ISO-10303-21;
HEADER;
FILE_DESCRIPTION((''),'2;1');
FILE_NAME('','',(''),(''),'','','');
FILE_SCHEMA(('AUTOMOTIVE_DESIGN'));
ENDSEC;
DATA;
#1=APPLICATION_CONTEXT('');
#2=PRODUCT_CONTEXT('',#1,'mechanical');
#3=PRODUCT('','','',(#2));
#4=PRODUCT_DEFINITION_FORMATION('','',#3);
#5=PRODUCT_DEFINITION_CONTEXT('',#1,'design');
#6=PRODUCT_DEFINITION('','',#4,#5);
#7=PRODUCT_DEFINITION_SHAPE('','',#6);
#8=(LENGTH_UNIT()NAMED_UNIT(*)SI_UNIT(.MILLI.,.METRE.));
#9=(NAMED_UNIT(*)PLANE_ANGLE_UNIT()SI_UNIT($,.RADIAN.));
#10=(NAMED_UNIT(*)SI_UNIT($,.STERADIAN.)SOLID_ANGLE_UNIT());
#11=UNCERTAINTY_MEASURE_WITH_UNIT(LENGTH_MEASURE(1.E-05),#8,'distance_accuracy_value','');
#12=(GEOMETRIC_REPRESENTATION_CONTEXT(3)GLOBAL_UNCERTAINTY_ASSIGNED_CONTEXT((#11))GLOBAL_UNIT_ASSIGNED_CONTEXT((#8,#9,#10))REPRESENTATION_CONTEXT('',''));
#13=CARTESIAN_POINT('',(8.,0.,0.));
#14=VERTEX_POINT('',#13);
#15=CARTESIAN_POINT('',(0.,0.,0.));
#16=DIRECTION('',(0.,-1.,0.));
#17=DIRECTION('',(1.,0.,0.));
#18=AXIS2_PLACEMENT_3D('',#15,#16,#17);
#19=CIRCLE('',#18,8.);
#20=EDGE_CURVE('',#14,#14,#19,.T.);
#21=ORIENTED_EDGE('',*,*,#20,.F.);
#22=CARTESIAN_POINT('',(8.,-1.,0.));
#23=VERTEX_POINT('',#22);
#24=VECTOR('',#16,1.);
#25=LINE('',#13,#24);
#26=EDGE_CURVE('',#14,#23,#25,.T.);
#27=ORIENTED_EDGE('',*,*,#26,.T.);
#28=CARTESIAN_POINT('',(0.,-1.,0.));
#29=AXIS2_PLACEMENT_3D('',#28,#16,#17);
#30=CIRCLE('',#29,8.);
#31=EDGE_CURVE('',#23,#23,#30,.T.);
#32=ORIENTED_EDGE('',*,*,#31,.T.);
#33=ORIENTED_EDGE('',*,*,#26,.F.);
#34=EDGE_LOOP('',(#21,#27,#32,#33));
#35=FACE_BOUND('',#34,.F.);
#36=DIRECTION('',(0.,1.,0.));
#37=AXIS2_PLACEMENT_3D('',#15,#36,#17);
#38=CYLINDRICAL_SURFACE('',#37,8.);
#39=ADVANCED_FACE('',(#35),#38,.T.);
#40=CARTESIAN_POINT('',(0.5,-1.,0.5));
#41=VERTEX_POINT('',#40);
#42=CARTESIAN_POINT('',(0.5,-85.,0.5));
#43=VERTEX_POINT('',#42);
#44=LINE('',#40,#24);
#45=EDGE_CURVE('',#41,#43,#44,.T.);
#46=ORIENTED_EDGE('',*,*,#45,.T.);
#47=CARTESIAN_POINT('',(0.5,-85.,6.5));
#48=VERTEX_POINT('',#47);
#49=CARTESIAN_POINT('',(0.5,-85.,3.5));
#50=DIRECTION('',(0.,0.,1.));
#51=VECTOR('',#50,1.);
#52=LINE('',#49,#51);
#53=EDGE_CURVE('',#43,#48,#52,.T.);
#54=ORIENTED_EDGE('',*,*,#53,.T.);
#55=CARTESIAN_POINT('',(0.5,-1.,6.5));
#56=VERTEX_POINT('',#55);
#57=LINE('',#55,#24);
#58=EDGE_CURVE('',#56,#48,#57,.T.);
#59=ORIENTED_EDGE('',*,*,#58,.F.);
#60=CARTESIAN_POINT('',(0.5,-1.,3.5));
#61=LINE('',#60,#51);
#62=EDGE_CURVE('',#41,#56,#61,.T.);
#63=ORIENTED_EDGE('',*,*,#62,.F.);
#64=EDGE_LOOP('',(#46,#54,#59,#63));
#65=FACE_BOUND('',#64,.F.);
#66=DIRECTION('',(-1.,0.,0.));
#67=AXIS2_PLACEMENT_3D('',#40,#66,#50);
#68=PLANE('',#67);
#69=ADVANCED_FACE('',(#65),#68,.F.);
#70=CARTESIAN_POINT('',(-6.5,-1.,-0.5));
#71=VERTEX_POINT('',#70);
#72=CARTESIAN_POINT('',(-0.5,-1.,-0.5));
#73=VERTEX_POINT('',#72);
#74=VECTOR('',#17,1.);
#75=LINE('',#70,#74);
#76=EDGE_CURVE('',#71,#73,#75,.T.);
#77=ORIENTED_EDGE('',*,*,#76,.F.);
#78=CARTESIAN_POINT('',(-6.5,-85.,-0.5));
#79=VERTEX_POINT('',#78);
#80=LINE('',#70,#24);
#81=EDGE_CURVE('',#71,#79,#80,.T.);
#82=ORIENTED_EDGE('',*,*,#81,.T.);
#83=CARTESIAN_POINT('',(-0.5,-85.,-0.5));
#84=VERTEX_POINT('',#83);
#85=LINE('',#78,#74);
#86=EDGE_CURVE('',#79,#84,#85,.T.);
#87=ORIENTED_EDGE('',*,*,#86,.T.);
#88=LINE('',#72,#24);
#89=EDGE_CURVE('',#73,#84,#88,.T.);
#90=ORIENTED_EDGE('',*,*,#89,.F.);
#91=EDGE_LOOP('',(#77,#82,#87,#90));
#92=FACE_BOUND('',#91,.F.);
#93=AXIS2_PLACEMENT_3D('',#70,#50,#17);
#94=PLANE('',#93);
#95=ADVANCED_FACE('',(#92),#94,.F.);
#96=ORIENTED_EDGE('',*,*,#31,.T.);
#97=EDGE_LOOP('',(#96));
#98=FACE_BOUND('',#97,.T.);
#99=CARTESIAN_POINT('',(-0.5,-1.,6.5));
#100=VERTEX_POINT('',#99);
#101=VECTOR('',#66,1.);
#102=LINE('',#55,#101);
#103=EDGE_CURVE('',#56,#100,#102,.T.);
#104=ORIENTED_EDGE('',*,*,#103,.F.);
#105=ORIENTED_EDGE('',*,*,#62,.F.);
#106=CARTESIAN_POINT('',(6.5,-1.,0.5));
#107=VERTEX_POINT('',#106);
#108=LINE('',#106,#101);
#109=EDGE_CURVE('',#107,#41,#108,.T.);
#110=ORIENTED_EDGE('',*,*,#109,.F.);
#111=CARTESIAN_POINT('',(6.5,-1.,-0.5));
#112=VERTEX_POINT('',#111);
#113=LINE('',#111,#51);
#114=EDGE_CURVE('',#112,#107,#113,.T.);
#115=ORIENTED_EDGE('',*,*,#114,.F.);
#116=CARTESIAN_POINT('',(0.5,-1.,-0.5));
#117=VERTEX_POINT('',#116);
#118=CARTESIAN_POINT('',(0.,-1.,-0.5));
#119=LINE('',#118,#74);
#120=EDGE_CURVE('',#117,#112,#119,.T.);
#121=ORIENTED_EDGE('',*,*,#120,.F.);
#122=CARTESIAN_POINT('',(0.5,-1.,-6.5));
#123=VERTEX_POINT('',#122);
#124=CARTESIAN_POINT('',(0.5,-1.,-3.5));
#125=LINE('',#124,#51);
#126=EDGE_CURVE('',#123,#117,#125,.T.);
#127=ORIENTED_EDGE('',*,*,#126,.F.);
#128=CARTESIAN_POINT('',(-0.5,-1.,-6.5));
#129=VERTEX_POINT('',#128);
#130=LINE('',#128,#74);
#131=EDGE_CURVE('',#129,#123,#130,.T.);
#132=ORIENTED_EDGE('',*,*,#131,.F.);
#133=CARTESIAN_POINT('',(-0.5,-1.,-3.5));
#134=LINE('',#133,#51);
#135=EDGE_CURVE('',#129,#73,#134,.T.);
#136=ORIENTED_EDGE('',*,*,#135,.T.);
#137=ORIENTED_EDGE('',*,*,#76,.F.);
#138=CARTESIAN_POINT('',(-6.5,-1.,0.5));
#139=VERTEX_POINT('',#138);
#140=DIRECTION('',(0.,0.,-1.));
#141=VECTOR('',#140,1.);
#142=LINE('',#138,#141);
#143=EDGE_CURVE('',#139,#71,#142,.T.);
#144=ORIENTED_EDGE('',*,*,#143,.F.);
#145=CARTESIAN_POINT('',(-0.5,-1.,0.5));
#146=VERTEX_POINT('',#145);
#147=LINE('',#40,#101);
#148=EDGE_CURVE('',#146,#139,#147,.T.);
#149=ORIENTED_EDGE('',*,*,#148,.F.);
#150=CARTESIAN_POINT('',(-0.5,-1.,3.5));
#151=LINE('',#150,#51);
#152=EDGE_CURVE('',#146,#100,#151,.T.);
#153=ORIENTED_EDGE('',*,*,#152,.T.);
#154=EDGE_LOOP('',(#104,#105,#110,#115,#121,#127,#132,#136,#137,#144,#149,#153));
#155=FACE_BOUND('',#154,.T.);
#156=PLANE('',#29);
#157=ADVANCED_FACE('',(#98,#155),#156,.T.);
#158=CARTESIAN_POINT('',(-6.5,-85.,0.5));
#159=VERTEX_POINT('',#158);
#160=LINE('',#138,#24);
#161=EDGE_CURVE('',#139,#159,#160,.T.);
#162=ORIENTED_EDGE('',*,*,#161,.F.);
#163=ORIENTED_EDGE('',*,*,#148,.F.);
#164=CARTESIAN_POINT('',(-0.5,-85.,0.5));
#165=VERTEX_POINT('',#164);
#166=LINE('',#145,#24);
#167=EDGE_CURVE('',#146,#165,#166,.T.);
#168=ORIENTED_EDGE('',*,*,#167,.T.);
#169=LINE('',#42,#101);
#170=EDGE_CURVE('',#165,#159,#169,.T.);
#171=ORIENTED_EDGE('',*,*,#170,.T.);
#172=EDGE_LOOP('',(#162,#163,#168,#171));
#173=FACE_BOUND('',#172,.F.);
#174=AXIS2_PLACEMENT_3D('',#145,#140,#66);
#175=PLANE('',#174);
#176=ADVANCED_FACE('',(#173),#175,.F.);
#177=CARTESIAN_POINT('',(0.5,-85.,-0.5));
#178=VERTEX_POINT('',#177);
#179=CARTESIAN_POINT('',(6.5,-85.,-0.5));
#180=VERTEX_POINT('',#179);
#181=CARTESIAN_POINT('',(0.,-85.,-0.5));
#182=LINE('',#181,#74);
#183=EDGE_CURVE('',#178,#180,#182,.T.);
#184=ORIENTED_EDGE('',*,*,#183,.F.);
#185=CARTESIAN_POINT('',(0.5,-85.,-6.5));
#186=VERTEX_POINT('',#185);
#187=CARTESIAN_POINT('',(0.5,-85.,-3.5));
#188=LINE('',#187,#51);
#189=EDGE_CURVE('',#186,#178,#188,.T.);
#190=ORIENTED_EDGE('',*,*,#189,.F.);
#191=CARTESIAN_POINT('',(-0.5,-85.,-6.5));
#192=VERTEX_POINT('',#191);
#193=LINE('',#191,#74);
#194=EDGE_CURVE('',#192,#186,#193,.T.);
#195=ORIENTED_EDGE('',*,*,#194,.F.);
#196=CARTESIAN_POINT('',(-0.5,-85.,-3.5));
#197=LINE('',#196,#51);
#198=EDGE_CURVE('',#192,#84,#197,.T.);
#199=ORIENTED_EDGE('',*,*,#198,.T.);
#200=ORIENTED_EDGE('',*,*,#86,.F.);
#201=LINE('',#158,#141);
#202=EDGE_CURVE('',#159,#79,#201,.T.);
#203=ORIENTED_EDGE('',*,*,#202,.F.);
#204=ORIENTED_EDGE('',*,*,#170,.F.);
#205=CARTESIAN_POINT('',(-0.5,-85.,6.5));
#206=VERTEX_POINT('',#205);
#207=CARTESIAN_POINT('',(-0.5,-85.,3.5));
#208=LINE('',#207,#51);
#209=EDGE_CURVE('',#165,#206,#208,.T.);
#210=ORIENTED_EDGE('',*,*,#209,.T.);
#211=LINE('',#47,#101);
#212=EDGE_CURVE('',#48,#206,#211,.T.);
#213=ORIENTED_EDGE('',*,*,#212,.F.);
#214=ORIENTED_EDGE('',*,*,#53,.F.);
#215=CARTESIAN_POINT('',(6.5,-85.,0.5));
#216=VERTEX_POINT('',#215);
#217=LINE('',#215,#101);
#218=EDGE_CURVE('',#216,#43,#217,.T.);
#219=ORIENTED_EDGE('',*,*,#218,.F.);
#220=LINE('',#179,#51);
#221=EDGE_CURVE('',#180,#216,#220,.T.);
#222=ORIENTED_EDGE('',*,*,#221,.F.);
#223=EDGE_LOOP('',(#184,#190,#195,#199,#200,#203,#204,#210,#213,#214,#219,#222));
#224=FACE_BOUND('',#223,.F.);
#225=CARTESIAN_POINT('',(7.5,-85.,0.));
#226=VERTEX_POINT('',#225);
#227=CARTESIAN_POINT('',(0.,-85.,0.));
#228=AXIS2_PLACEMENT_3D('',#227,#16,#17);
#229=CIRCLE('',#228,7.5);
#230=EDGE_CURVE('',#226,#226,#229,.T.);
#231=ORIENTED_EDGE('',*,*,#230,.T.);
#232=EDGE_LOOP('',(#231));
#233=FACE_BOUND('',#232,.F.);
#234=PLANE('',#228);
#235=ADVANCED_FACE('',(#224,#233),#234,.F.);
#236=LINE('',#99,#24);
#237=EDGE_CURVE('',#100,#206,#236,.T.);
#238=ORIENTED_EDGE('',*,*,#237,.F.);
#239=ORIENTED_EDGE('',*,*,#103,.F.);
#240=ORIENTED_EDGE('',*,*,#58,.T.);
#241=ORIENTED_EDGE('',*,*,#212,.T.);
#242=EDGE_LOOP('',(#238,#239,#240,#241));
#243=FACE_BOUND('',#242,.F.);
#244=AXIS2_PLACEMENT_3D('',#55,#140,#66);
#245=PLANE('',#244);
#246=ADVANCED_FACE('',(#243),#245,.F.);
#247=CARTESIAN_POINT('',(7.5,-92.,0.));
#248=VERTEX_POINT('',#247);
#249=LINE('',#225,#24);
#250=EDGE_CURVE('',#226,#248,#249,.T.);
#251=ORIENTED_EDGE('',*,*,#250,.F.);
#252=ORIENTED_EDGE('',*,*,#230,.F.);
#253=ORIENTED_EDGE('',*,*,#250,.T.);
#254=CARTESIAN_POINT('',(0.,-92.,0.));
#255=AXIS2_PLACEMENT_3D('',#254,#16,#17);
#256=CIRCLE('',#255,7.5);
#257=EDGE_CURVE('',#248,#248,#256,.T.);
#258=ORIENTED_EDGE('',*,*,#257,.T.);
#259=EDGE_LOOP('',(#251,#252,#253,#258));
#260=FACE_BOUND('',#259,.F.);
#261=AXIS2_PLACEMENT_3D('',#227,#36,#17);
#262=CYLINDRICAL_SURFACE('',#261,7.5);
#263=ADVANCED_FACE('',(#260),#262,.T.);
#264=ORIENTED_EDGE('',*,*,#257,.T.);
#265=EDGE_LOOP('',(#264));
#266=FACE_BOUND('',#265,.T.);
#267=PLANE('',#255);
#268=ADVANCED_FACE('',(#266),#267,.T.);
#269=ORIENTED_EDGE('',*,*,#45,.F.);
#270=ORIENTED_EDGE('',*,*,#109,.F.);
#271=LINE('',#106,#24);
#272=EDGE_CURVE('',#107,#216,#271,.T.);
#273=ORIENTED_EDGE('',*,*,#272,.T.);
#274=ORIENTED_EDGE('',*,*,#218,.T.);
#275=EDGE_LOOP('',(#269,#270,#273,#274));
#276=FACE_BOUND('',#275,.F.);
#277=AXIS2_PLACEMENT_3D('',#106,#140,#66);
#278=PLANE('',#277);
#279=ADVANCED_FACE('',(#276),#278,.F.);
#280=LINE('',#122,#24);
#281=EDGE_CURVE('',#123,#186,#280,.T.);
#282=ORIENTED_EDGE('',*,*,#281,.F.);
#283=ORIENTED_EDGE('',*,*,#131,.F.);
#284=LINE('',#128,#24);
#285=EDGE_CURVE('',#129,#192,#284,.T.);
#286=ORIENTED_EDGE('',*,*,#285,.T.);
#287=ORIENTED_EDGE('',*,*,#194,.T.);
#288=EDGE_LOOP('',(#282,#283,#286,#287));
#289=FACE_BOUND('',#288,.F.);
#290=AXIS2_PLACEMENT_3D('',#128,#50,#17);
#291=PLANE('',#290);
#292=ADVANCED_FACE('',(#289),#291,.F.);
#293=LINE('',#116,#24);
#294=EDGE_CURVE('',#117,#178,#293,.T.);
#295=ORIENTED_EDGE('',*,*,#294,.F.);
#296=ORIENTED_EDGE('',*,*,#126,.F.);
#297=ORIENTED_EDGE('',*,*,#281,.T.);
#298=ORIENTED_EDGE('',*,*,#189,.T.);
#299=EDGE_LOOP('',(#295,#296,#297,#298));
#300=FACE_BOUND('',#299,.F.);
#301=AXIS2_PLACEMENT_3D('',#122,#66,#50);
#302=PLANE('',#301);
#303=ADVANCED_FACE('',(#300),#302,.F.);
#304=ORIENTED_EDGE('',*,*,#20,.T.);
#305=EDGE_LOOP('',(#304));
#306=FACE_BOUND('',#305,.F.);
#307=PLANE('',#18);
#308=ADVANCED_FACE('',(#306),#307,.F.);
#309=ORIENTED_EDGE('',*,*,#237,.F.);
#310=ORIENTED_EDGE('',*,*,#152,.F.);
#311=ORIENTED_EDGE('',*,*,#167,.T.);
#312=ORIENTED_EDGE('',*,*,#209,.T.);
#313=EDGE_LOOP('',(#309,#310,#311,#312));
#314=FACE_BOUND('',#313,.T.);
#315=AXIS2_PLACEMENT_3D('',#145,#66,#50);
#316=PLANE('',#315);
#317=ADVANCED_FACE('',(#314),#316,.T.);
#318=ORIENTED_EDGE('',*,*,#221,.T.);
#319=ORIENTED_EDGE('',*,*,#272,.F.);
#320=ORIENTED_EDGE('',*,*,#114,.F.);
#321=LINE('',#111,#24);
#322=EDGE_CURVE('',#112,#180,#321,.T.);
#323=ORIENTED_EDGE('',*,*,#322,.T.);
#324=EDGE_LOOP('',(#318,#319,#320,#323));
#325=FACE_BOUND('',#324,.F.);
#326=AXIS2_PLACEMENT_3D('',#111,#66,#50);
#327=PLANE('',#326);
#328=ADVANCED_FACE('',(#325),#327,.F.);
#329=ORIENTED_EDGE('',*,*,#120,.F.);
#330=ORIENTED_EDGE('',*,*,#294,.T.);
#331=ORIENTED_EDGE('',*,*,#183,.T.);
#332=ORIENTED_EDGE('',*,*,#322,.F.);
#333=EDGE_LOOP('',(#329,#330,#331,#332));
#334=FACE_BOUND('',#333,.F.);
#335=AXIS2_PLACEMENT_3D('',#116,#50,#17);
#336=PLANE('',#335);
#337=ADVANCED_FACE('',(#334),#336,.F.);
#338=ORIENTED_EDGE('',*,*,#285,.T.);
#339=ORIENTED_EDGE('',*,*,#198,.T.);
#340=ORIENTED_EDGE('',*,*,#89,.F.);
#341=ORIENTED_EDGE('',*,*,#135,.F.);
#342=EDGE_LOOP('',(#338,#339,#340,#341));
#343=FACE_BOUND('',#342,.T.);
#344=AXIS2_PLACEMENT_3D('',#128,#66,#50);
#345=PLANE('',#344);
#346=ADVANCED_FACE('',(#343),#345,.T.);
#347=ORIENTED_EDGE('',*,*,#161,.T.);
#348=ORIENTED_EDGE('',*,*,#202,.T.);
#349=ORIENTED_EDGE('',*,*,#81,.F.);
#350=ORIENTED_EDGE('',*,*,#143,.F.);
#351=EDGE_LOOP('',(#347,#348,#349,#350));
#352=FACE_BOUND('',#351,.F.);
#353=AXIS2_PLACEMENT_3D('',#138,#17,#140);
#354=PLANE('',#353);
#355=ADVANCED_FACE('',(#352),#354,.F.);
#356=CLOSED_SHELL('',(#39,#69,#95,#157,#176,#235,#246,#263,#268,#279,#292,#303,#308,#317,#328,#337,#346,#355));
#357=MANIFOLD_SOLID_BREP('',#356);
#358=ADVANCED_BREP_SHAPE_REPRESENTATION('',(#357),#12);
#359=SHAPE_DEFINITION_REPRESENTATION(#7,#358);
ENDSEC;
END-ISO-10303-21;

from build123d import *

# Parameters (mm, degrees)
F0_R     = 8
F1_DEPTH = 1
F2_W     = 6
F2_H     = 0.5
F2_W_2   = 0.5
F2_H_2   = 6
F3_DEPTH = 84
F4_R     = 7.5
F5_DEPTH = 7


with BuildPart() as f1:
    # F0 (on Front) → F1 (new body)
    with BuildSketch(Plane.XZ):
        Circle(F0_R)
    extrude(amount=F1_DEPTH)

    # F2 (on face) → F3 (join)
    with BuildSketch(Plane.XZ.offset(1)):
        with Locations((-3.5, 0.25)):
            Rectangle(F2_W, F2_H)
        with Locations((-3.5, -0.25)):
            Rectangle(F2_W, F2_H)
        with Locations((-0.25, 0.25)):
            Rectangle(F2_W_2, F2_H)
        with Locations((-0.25, -0.25)):
            Rectangle(F2_W_2, F2_H)
        with Locations((0.25, 0.25)):
            Rectangle(F2_W_2, F2_H)
        with Locations((0.25, -0.25)):
            Rectangle(F2_W_2, F2_H)
        with Locations((-0.25, -3.5)):
            Rectangle(F2_W_2, F2_H_2)
        with Locations((-0.25, 3.5)):
            Rectangle(F2_W_2, F2_H_2)
        with Locations((3.5, 0.25)):
            Rectangle(F2_W, F2_H)
        with Locations((3.5, -0.25)):
            Rectangle(F2_W, F2_H)
        with Locations((0.25, 3.5)):
            Rectangle(F2_W_2, F2_H_2)
        with Locations((0.25, -3.5)):
            Rectangle(F2_W_2, F2_H_2)
    extrude(amount=F3_DEPTH)

    # F4 (on face) → F5 (join)
    with BuildSketch(Plane.XZ.offset(85)):
        Circle(F4_R)
    extrude(amount=F5_DEPTH)


solid = f1.part
